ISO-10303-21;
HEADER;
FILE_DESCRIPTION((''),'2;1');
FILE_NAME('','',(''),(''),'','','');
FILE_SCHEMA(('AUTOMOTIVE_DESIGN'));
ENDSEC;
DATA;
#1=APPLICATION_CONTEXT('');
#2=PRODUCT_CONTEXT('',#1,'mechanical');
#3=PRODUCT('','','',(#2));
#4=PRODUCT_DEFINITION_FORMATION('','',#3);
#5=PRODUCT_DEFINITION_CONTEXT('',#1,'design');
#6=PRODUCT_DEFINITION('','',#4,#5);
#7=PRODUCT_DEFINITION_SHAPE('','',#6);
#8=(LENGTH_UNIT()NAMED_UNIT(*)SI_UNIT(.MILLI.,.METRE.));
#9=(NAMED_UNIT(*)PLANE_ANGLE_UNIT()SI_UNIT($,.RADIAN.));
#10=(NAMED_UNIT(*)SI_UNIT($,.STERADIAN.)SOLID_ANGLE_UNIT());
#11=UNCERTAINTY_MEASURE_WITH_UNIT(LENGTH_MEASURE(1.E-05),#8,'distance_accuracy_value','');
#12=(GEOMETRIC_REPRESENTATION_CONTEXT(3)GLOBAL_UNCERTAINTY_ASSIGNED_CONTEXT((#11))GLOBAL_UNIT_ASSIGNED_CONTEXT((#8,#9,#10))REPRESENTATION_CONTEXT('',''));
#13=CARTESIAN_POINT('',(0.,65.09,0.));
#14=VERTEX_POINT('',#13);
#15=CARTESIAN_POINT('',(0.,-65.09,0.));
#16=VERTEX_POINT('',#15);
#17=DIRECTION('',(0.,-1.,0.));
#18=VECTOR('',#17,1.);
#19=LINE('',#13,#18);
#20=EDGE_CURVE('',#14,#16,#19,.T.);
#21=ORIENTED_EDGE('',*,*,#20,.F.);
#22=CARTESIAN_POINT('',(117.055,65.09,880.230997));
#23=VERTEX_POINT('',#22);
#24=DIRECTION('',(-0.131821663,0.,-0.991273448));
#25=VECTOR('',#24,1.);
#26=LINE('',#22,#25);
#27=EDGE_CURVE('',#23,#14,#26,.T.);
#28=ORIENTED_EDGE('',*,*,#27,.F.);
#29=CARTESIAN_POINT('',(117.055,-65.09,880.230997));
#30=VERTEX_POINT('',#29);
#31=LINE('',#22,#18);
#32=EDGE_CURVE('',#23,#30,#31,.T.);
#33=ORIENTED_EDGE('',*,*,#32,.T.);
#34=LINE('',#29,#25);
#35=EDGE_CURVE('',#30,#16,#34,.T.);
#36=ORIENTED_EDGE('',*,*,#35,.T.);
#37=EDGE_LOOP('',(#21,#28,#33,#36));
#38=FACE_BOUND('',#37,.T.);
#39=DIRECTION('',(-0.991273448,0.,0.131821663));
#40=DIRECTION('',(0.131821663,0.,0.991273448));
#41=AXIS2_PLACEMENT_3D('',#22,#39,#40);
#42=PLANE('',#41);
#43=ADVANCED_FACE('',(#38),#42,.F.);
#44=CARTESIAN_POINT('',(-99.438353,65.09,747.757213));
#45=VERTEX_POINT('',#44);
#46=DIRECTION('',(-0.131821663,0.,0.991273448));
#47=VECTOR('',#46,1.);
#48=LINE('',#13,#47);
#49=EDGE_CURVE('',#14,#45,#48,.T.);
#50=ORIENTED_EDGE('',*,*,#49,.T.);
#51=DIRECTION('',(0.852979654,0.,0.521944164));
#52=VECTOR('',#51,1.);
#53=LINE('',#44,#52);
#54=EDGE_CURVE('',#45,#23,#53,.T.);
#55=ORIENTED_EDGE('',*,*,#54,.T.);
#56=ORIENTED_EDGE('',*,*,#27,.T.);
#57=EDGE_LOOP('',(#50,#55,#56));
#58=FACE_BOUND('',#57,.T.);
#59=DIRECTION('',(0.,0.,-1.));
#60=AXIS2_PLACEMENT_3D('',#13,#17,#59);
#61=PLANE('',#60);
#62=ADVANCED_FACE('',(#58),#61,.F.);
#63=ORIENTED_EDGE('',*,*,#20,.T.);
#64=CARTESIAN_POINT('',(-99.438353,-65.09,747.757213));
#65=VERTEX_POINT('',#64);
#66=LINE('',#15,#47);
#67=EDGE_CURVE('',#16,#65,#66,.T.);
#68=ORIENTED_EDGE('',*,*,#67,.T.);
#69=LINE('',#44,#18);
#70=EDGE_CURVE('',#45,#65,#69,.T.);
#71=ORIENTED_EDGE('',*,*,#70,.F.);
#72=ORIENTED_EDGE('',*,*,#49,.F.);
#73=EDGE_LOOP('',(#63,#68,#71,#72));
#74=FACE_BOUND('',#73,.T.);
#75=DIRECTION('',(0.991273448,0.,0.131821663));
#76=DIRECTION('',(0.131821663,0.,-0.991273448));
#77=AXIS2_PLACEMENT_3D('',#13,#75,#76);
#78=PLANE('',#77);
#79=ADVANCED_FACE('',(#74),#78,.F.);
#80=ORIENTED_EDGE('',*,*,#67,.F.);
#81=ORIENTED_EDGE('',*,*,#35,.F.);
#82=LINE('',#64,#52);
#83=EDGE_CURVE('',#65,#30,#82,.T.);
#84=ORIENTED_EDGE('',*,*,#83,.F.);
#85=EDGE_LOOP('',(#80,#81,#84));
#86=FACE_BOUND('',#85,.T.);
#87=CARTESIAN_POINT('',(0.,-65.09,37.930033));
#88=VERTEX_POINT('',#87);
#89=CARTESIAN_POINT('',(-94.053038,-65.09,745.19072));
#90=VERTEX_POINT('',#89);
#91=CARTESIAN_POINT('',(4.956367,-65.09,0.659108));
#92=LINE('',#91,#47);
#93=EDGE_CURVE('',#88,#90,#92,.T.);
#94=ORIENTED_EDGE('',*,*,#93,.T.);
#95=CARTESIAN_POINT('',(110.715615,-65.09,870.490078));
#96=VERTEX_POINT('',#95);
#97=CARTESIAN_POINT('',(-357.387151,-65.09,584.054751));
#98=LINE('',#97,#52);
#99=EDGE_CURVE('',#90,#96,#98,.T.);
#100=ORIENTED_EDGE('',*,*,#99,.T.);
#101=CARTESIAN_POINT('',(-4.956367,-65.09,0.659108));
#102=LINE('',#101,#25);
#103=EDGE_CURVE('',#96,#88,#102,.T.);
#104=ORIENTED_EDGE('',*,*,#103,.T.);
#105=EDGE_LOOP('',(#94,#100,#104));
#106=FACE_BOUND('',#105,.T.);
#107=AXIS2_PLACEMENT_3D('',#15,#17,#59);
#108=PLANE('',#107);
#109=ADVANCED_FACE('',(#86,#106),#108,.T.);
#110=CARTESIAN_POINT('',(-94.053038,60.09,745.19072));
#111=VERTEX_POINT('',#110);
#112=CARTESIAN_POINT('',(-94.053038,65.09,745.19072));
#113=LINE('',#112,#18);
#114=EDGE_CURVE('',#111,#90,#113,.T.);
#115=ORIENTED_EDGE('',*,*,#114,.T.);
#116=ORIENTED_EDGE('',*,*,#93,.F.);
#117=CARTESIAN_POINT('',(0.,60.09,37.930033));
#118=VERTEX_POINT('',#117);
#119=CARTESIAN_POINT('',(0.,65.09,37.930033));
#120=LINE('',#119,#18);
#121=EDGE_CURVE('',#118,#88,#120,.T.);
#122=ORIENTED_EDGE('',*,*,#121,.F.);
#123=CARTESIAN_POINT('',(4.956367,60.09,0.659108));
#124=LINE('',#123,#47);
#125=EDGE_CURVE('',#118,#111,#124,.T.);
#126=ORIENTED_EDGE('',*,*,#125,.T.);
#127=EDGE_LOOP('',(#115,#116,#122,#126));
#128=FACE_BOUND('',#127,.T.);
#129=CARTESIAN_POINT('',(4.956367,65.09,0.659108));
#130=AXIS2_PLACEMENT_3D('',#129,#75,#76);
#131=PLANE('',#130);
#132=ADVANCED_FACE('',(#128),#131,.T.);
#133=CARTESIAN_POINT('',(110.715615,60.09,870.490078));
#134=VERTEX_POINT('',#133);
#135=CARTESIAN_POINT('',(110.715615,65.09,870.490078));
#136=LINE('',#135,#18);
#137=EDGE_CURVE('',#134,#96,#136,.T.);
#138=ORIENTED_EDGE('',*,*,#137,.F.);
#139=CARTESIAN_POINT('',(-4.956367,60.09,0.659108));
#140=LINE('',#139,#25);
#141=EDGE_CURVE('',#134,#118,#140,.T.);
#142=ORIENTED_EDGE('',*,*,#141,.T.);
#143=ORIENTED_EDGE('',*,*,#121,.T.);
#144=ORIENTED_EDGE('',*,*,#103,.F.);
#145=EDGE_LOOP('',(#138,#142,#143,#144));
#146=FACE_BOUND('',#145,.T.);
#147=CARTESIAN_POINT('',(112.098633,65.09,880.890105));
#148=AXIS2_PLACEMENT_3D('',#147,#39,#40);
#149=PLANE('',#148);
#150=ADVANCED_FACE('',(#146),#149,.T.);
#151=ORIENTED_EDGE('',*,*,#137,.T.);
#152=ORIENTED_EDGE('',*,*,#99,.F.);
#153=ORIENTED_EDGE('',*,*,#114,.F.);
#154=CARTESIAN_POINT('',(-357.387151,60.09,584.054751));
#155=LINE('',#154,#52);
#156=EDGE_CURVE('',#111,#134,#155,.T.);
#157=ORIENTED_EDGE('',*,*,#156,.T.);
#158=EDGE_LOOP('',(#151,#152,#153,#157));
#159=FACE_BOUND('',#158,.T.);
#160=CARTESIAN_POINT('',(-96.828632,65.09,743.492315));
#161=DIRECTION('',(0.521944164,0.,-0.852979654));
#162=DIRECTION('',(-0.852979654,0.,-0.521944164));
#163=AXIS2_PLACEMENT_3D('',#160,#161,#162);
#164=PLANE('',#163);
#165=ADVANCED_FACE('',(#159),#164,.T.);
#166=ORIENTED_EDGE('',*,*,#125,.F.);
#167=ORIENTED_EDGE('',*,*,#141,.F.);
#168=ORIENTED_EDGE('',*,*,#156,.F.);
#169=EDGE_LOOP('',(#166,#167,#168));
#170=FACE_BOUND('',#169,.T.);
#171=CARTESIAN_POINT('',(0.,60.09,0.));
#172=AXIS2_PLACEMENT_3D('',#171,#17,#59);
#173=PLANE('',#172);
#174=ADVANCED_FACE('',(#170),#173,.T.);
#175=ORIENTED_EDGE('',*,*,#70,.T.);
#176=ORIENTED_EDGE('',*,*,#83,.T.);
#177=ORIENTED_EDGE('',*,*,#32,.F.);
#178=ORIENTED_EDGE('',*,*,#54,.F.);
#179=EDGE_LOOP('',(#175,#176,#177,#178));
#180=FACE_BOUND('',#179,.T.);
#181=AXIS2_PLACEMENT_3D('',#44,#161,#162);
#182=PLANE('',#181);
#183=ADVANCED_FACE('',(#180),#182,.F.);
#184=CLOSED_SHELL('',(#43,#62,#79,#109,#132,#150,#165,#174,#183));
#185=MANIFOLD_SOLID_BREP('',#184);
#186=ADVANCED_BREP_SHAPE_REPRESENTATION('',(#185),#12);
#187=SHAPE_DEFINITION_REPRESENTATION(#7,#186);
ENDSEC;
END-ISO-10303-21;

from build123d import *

# Parameters (mm, degrees)
MAIN_EXTRUDE_DEPTH = 65.09
SHELL1_T           = -5


with BuildPart() as part:
    # Sketch1 → Main extrude (new, symmetric)
    with BuildSketch(Plane(origin=(0, 0, 0), x_dir=(1, 0, 0), z_dir=(0, 1, 0))):
        Polygon((0, 0), (-99.438353003, -747.757212972), (117.055, -880.2309966), align=None)
    extrude(amount=MAIN_EXTRUDE_DEPTH, both=True)

    # Shell1
    shell1_openings = [part.faces().sort_by_distance(p)[0] for p in [
        (5.872215666, -65.09, 542.662736524),
    ]]
    offset(amount=SHELL1_T, openings=shell1_openings, kind=Kind.INTERSECTION)


solid = part.part
